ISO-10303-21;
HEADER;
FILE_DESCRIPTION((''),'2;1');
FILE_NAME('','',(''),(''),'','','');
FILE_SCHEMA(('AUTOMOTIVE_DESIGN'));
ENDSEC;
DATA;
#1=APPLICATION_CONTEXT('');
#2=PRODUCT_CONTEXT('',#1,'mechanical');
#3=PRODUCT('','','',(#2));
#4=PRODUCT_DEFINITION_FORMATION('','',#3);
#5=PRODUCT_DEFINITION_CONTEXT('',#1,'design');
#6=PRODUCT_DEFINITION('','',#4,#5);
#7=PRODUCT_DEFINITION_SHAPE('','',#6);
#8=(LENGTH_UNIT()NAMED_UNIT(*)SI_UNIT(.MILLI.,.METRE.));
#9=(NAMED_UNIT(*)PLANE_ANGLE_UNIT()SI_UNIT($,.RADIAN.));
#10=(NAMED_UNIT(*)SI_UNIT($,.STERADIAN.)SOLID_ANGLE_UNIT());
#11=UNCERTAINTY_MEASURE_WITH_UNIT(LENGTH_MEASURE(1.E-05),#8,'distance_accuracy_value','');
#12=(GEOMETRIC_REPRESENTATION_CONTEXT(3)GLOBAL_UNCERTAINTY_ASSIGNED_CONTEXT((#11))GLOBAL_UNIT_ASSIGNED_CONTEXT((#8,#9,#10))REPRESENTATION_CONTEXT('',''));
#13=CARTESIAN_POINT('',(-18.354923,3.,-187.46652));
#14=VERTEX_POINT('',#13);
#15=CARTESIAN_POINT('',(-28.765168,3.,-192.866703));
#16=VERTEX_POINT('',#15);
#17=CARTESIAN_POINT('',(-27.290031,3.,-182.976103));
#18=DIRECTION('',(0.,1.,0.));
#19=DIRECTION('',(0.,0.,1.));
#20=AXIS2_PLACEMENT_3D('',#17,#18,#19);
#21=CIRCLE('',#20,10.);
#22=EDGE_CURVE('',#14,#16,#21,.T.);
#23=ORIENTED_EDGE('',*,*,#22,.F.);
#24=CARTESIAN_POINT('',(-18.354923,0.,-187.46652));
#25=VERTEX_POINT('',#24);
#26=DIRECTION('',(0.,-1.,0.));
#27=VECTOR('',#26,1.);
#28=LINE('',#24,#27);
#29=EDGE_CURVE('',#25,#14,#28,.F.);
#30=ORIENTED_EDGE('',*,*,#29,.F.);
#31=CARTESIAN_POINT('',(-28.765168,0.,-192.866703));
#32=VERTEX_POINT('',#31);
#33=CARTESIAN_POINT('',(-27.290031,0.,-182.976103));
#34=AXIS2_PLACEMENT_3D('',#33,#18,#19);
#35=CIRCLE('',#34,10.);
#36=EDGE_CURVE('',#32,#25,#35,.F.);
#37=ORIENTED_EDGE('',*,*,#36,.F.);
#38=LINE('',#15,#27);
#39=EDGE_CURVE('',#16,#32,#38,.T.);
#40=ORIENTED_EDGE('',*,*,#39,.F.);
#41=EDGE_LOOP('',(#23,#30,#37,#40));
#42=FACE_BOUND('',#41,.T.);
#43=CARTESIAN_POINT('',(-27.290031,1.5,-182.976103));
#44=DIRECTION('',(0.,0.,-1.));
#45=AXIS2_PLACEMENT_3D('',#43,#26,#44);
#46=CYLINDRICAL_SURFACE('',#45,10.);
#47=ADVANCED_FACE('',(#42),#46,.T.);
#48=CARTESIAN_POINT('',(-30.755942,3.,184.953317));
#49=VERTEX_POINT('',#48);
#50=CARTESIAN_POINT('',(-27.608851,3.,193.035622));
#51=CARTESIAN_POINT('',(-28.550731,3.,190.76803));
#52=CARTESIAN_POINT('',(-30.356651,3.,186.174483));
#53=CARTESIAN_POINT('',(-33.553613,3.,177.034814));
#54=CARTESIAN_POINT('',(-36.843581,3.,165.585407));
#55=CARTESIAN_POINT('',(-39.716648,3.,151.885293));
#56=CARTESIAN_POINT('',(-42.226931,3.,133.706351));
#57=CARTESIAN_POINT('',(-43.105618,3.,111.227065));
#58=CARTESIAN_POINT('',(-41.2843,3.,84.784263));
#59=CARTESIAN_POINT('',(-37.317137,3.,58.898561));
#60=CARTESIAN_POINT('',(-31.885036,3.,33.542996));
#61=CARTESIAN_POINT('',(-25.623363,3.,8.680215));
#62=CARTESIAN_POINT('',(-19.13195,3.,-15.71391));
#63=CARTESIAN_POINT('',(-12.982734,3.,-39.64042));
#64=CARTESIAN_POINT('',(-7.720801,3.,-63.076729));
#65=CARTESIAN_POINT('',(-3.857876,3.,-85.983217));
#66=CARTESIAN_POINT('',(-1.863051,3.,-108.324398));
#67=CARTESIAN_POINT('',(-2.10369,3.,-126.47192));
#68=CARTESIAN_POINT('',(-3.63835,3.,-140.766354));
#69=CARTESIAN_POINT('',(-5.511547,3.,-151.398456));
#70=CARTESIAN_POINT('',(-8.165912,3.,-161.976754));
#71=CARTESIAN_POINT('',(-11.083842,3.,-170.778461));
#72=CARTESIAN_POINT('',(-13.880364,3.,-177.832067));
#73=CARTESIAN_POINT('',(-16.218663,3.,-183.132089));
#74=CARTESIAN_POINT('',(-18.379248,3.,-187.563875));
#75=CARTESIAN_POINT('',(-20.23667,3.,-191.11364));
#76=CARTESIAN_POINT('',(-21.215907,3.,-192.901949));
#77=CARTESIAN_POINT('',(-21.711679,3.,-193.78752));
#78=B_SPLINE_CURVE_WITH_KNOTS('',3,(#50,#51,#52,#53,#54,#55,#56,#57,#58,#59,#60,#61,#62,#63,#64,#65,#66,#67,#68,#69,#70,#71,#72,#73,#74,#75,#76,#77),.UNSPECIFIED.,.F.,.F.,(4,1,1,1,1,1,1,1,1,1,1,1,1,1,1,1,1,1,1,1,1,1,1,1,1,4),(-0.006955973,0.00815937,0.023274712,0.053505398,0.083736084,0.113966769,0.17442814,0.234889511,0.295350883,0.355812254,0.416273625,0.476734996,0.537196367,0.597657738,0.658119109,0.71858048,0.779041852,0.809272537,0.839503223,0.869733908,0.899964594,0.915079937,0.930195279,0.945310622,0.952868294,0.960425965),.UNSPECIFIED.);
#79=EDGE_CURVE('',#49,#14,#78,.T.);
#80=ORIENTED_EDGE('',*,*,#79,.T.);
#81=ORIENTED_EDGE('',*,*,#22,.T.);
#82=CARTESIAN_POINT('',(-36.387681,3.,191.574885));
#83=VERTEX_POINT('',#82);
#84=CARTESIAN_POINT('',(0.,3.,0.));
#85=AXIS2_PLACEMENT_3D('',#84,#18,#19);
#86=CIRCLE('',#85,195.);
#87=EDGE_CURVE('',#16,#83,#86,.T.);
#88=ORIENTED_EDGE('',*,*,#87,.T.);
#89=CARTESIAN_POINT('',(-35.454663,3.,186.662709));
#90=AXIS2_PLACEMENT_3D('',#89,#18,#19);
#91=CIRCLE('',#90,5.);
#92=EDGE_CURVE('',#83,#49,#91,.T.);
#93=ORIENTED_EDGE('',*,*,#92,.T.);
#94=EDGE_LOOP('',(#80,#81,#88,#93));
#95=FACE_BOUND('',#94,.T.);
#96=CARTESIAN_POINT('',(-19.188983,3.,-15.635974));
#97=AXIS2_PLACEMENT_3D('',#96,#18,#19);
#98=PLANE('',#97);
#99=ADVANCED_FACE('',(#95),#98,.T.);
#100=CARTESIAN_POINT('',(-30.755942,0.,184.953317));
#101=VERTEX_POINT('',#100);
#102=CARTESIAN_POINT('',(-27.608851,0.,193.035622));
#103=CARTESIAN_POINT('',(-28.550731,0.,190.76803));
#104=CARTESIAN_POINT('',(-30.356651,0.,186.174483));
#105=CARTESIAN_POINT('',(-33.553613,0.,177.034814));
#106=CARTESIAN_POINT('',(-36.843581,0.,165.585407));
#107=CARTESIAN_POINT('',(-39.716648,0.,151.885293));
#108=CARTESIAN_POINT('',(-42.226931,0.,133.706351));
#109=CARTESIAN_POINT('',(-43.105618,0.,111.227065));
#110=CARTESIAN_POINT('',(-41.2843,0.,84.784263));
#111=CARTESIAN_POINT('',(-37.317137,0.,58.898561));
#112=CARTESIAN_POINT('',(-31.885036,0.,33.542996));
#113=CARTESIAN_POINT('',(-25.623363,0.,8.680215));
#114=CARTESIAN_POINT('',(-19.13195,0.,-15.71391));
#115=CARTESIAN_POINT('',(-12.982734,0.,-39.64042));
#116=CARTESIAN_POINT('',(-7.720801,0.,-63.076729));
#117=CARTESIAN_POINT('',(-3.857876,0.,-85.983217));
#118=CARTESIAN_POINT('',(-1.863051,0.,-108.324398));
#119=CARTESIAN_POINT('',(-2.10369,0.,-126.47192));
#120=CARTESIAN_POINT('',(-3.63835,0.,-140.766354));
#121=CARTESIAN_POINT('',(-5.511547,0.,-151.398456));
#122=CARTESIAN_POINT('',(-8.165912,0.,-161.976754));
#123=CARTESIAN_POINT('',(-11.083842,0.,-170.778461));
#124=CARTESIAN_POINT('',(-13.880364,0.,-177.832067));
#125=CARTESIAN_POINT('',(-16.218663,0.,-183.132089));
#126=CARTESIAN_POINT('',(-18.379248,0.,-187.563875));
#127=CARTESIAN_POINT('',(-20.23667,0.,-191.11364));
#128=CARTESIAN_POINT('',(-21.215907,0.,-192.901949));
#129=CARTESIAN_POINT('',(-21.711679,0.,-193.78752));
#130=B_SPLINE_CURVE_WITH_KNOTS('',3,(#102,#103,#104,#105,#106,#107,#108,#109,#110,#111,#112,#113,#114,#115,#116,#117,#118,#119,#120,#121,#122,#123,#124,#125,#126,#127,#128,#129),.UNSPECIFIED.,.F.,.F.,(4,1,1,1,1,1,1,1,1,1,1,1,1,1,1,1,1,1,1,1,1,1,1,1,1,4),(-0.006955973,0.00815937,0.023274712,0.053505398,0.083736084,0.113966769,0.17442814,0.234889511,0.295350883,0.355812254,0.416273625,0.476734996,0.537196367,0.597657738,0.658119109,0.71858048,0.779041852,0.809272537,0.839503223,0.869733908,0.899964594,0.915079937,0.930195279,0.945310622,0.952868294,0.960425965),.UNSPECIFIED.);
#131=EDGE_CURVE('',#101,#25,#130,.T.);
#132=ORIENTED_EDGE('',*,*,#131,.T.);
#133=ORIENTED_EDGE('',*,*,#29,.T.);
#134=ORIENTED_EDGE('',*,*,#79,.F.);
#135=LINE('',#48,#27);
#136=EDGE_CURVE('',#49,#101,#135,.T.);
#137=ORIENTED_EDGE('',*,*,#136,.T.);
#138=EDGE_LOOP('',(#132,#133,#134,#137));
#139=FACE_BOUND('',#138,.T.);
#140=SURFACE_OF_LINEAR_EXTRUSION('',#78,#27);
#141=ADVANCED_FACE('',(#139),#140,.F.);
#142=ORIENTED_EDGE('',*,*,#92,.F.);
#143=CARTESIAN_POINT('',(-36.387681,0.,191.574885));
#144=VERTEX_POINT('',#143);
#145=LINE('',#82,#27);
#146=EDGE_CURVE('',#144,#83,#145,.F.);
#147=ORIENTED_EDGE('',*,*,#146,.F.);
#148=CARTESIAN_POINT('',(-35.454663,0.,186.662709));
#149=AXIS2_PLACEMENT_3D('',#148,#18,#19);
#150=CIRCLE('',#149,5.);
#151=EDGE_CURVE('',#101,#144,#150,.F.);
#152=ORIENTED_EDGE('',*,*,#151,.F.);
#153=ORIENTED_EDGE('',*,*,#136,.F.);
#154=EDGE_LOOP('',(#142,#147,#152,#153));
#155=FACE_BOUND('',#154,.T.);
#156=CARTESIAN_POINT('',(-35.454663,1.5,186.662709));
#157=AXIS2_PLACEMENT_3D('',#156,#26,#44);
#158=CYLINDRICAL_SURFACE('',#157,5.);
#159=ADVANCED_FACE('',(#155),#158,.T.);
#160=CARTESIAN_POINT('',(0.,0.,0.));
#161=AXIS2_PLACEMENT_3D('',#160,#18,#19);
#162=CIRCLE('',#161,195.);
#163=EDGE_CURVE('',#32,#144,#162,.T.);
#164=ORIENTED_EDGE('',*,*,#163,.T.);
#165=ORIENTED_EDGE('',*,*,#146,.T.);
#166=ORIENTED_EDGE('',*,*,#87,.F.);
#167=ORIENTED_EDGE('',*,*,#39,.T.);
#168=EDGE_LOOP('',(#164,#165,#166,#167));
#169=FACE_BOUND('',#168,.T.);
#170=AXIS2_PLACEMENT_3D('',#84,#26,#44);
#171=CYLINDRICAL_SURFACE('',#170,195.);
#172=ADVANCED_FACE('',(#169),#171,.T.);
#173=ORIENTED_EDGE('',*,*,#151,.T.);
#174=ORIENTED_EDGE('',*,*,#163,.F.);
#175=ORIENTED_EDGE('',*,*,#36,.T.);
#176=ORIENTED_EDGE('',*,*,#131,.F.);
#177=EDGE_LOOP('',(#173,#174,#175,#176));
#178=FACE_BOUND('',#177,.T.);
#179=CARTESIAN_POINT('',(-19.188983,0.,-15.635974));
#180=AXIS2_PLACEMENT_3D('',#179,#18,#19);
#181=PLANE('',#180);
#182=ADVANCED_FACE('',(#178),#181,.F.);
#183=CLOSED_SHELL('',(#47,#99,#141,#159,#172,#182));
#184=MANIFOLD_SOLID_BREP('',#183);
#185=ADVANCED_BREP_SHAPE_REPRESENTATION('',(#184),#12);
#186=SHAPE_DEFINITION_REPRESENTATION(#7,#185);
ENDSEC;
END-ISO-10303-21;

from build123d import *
from OCP.BRepFilletAPI import BRepFilletAPI_MakeFillet

# Parameters (mm, degrees)
BOSS_EXTRUDE5_DEPTH = 3
FILLET2_R1          = 5
FILLET2_R2          = 10


with BuildPart() as part:
    # Sketch1 → Boss-Extrude5 (new body)
    with BuildSketch(Plane(origin=(0, 0, 0), x_dir=(1, 0, 0), z_dir=(0, 1, 0))):
        with BuildLine():
            ThreePointArc((-21.711678963, 193.787520229), (-194.977343561, 2.97245654), (-27.608851206, -193.035621933))
            add(Edge.make_bspline(
                [(-21.711678963, 193.787520229), (-21.215906846, 192.901948597), (-20.236669685, 191.113640386), (-18.379248477, 187.563874928), (-16.218663363, 183.132088605), (-13.880363657, 177.832066934), (-11.083841534, 170.778461006), (-8.165911644, 161.976754005), (-5.51154676, 151.398455895), (-3.638350282, 140.766353814), (-2.103689887, 126.471919675), (-1.863050975, 108.324397723), (-3.85787606, 85.983216789), (-7.720800614, 63.076728972), (-12.982733753, 39.640419651), (-19.131949706, 15.713910349), (-25.623362601, -8.680214771), (-31.885036107, -33.542996426), (-37.31713678, -58.898561138), (-41.284300413, -84.784262962), (-43.105618433, -111.227065061), (-42.226930504, -133.706350521), (-39.716648062, -151.885293025), (-36.843581357, -165.585407167), (-33.553612687, -177.034814152), (-30.356651443, -186.174483349), (-28.550731137, -190.768029803), (-27.608851206, -193.035621933)],
                knots=[-0.006955973, -0.006955973, -0.006955973, -0.006955973, 0.000601698, 0.00815937, 0.023274712, 0.038390055, 0.053505398, 0.083736084, 0.113966769, 0.144197455, 0.17442814, 0.234889511, 0.295350883, 0.355812254, 0.416273625, 0.476734996, 0.537196367, 0.597657738, 0.658119109, 0.71858048, 0.779041852, 0.839503223, 0.869733908, 0.899964594, 0.930195279, 0.945310622, 0.960425965, 0.960425965, 0.960425965, 0.960425965], degree=3))
        make_face()
    extrude(amount=BOSS_EXTRUDE5_DEPTH)

    # Fillet2: one fillet with a radius per group of edges: ONE call of the kernel's fillet builder (fillet() takes one radius for all edges)
    fillet2_edges_1 = [part.edges().sort_by_distance(p)[0] for p in [
        (-27.608851206, 1.5, 193.035621933),
    ]]
    fillet2_edges_2 = [part.edges().sort_by_distance(p)[0] for p in [
        (-21.711678963, 1.5, -193.787520229),
    ]]
    fillet2 = BRepFilletAPI_MakeFillet(part.part.solid().wrapped)
    for e in fillet2_edges_1:
        fillet2.Add(FILLET2_R1, e.wrapped)
    for e in fillet2_edges_2:
        fillet2.Add(FILLET2_R2, e.wrapped)
    add(Compound.cast(fillet2.Shape()), mode=Mode.REPLACE)


solid = part.part
